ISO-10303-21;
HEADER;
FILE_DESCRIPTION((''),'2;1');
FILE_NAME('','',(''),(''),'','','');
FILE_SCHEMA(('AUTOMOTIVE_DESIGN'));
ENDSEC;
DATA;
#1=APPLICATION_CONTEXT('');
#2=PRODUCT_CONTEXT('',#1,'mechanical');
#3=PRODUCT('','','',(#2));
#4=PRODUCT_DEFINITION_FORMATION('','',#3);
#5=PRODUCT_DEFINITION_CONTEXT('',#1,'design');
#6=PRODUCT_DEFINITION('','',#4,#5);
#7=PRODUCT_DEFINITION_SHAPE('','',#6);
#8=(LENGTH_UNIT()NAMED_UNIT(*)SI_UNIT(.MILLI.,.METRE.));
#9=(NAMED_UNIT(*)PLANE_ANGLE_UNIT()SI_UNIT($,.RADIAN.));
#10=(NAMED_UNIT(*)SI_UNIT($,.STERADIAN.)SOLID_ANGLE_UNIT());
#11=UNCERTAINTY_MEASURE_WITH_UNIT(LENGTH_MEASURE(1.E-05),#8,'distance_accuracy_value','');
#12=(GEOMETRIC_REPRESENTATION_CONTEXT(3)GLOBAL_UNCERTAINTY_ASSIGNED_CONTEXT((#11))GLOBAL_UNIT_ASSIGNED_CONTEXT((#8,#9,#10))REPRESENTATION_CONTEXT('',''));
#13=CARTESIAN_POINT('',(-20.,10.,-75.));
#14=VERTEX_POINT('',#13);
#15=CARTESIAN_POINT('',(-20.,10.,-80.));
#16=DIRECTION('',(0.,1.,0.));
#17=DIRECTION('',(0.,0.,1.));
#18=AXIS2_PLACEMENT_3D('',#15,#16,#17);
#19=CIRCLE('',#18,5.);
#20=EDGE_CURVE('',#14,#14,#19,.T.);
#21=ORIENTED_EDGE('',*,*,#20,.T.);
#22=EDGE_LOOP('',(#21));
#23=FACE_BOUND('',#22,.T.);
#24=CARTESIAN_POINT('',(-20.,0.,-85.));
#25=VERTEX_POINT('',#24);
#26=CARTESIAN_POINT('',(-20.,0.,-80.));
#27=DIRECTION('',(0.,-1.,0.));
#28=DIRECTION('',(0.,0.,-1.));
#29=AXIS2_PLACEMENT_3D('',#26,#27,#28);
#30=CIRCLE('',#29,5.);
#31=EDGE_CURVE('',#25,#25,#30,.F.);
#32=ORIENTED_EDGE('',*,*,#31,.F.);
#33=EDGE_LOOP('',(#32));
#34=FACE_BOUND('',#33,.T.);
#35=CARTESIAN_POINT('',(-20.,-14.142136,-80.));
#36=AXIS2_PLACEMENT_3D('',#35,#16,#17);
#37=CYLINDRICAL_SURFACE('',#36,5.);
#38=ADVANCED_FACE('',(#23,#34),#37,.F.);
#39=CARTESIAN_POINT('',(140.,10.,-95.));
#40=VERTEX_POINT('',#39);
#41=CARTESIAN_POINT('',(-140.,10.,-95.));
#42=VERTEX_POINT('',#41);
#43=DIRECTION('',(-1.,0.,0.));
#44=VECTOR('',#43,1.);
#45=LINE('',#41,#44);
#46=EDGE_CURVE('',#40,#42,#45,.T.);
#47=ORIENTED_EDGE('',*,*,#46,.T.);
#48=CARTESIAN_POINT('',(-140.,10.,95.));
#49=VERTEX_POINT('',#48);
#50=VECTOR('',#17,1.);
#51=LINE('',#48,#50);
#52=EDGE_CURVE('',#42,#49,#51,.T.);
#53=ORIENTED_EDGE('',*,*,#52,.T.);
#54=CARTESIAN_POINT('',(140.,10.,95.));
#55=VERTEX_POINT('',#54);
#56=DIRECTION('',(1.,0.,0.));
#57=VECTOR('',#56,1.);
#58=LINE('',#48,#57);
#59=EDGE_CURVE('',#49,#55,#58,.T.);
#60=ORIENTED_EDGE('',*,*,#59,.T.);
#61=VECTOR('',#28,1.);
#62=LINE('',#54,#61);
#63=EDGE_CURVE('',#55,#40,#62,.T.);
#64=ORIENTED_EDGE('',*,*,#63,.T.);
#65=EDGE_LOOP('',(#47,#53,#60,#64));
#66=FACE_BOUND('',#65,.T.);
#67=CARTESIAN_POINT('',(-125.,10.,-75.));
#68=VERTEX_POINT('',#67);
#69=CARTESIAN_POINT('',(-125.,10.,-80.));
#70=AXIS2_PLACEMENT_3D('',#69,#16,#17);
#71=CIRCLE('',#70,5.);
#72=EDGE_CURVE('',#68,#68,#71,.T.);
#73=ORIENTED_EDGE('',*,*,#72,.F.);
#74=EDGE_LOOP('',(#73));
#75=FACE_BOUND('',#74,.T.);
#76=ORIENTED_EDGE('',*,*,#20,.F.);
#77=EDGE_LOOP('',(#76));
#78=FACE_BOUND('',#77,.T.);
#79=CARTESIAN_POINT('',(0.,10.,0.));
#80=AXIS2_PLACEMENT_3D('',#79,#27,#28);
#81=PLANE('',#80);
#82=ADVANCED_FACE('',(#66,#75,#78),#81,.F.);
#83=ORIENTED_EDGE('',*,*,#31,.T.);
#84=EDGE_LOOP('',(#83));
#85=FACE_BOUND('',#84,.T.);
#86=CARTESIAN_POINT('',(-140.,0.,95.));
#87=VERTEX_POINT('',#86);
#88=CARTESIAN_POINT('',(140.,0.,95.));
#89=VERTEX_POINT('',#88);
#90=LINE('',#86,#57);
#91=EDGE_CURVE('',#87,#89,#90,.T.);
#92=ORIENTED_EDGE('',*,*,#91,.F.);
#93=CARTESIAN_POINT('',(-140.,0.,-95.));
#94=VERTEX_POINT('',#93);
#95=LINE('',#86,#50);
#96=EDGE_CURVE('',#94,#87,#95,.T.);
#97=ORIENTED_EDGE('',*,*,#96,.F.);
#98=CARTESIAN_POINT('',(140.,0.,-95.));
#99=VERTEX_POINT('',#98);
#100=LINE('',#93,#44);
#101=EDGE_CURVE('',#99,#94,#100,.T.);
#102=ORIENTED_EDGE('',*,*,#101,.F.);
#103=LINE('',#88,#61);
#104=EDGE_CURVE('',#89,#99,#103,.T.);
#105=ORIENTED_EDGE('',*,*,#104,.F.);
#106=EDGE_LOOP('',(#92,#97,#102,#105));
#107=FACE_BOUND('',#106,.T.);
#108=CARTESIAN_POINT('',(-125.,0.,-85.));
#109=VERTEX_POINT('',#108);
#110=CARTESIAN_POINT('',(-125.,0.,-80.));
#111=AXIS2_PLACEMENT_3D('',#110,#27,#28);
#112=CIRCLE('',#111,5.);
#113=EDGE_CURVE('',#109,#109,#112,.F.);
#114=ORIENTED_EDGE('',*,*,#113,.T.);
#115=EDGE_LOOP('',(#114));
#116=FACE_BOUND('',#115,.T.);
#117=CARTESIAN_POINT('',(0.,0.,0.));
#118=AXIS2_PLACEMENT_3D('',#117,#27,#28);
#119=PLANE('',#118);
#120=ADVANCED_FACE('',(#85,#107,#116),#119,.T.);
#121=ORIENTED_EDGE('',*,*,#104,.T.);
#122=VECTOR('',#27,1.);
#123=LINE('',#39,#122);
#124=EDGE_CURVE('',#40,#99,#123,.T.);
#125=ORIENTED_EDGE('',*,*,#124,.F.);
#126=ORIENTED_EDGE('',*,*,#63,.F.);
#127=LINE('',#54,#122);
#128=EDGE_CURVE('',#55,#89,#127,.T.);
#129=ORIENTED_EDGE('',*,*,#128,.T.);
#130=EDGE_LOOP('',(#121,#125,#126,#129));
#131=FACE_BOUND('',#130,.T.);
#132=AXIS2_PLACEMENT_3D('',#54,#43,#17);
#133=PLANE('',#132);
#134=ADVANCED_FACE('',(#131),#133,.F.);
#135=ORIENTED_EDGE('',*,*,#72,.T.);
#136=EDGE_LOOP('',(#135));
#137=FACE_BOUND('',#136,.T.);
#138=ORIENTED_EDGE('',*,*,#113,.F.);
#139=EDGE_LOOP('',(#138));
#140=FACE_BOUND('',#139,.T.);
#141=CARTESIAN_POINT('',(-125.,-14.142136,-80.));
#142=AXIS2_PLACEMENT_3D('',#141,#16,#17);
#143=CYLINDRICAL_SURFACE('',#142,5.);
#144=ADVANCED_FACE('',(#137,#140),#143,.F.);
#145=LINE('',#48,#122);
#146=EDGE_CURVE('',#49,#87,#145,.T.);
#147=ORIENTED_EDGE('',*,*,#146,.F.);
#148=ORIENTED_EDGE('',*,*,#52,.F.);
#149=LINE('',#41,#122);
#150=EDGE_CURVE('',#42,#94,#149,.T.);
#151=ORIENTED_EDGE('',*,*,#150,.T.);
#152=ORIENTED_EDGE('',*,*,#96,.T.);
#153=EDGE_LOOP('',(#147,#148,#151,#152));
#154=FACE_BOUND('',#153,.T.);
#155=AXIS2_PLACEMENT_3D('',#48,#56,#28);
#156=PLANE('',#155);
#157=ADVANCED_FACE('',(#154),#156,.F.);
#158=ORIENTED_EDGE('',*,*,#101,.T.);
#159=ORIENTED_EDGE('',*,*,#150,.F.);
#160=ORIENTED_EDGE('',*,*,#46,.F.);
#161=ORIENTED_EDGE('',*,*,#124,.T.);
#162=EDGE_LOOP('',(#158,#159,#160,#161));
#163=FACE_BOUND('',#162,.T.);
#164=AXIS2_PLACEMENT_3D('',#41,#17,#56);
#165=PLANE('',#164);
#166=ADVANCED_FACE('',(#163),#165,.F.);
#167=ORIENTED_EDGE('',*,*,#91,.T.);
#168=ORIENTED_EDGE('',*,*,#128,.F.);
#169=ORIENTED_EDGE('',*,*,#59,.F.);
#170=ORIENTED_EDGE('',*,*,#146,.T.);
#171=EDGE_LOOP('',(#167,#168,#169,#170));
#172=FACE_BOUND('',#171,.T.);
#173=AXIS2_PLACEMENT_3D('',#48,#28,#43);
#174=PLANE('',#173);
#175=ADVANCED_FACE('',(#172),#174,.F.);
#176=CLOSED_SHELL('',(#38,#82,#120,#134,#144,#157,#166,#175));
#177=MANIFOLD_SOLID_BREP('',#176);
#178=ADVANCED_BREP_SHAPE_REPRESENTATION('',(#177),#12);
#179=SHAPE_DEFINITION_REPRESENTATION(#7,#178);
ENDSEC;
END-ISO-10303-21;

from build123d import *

# Parameters (mm, degrees)
CROQUIS1_W              = 280
CROQUIS1_H              = 190
SALIENTE_EXTRUIR1_DEPTH = 10
CROQUIS2_R              = 5
CORTAR_EXTRUIR1_DEPTH   = 10


with BuildPart() as part:
    # Croquis1 → Saliente-Extruir1 (new body)
    with BuildSketch(Plane(origin=(0, 0, 0), x_dir=(1, 0, 0), z_dir=(0, 1, 0))):
        Rectangle(CROQUIS1_W, CROQUIS1_H)
    extrude(amount=SALIENTE_EXTRUIR1_DEPTH)

    # Croquis2 → Cortar-Extruir1 (cut)
    with BuildSketch(Plane(origin=(0, 10, 0), x_dir=(1, 0, 0), z_dir=(0, 1, 0))):
        with Locations(Location((-125, 80, 0), (0, 0, 270))):
            Circle(CROQUIS2_R)
        with Locations(Location((-20, 80, 0), (0, 0, 270))):
            Circle(CROQUIS2_R)
    extrude(amount=-CORTAR_EXTRUIR1_DEPTH, mode=Mode.SUBTRACT)


solid = part.part
